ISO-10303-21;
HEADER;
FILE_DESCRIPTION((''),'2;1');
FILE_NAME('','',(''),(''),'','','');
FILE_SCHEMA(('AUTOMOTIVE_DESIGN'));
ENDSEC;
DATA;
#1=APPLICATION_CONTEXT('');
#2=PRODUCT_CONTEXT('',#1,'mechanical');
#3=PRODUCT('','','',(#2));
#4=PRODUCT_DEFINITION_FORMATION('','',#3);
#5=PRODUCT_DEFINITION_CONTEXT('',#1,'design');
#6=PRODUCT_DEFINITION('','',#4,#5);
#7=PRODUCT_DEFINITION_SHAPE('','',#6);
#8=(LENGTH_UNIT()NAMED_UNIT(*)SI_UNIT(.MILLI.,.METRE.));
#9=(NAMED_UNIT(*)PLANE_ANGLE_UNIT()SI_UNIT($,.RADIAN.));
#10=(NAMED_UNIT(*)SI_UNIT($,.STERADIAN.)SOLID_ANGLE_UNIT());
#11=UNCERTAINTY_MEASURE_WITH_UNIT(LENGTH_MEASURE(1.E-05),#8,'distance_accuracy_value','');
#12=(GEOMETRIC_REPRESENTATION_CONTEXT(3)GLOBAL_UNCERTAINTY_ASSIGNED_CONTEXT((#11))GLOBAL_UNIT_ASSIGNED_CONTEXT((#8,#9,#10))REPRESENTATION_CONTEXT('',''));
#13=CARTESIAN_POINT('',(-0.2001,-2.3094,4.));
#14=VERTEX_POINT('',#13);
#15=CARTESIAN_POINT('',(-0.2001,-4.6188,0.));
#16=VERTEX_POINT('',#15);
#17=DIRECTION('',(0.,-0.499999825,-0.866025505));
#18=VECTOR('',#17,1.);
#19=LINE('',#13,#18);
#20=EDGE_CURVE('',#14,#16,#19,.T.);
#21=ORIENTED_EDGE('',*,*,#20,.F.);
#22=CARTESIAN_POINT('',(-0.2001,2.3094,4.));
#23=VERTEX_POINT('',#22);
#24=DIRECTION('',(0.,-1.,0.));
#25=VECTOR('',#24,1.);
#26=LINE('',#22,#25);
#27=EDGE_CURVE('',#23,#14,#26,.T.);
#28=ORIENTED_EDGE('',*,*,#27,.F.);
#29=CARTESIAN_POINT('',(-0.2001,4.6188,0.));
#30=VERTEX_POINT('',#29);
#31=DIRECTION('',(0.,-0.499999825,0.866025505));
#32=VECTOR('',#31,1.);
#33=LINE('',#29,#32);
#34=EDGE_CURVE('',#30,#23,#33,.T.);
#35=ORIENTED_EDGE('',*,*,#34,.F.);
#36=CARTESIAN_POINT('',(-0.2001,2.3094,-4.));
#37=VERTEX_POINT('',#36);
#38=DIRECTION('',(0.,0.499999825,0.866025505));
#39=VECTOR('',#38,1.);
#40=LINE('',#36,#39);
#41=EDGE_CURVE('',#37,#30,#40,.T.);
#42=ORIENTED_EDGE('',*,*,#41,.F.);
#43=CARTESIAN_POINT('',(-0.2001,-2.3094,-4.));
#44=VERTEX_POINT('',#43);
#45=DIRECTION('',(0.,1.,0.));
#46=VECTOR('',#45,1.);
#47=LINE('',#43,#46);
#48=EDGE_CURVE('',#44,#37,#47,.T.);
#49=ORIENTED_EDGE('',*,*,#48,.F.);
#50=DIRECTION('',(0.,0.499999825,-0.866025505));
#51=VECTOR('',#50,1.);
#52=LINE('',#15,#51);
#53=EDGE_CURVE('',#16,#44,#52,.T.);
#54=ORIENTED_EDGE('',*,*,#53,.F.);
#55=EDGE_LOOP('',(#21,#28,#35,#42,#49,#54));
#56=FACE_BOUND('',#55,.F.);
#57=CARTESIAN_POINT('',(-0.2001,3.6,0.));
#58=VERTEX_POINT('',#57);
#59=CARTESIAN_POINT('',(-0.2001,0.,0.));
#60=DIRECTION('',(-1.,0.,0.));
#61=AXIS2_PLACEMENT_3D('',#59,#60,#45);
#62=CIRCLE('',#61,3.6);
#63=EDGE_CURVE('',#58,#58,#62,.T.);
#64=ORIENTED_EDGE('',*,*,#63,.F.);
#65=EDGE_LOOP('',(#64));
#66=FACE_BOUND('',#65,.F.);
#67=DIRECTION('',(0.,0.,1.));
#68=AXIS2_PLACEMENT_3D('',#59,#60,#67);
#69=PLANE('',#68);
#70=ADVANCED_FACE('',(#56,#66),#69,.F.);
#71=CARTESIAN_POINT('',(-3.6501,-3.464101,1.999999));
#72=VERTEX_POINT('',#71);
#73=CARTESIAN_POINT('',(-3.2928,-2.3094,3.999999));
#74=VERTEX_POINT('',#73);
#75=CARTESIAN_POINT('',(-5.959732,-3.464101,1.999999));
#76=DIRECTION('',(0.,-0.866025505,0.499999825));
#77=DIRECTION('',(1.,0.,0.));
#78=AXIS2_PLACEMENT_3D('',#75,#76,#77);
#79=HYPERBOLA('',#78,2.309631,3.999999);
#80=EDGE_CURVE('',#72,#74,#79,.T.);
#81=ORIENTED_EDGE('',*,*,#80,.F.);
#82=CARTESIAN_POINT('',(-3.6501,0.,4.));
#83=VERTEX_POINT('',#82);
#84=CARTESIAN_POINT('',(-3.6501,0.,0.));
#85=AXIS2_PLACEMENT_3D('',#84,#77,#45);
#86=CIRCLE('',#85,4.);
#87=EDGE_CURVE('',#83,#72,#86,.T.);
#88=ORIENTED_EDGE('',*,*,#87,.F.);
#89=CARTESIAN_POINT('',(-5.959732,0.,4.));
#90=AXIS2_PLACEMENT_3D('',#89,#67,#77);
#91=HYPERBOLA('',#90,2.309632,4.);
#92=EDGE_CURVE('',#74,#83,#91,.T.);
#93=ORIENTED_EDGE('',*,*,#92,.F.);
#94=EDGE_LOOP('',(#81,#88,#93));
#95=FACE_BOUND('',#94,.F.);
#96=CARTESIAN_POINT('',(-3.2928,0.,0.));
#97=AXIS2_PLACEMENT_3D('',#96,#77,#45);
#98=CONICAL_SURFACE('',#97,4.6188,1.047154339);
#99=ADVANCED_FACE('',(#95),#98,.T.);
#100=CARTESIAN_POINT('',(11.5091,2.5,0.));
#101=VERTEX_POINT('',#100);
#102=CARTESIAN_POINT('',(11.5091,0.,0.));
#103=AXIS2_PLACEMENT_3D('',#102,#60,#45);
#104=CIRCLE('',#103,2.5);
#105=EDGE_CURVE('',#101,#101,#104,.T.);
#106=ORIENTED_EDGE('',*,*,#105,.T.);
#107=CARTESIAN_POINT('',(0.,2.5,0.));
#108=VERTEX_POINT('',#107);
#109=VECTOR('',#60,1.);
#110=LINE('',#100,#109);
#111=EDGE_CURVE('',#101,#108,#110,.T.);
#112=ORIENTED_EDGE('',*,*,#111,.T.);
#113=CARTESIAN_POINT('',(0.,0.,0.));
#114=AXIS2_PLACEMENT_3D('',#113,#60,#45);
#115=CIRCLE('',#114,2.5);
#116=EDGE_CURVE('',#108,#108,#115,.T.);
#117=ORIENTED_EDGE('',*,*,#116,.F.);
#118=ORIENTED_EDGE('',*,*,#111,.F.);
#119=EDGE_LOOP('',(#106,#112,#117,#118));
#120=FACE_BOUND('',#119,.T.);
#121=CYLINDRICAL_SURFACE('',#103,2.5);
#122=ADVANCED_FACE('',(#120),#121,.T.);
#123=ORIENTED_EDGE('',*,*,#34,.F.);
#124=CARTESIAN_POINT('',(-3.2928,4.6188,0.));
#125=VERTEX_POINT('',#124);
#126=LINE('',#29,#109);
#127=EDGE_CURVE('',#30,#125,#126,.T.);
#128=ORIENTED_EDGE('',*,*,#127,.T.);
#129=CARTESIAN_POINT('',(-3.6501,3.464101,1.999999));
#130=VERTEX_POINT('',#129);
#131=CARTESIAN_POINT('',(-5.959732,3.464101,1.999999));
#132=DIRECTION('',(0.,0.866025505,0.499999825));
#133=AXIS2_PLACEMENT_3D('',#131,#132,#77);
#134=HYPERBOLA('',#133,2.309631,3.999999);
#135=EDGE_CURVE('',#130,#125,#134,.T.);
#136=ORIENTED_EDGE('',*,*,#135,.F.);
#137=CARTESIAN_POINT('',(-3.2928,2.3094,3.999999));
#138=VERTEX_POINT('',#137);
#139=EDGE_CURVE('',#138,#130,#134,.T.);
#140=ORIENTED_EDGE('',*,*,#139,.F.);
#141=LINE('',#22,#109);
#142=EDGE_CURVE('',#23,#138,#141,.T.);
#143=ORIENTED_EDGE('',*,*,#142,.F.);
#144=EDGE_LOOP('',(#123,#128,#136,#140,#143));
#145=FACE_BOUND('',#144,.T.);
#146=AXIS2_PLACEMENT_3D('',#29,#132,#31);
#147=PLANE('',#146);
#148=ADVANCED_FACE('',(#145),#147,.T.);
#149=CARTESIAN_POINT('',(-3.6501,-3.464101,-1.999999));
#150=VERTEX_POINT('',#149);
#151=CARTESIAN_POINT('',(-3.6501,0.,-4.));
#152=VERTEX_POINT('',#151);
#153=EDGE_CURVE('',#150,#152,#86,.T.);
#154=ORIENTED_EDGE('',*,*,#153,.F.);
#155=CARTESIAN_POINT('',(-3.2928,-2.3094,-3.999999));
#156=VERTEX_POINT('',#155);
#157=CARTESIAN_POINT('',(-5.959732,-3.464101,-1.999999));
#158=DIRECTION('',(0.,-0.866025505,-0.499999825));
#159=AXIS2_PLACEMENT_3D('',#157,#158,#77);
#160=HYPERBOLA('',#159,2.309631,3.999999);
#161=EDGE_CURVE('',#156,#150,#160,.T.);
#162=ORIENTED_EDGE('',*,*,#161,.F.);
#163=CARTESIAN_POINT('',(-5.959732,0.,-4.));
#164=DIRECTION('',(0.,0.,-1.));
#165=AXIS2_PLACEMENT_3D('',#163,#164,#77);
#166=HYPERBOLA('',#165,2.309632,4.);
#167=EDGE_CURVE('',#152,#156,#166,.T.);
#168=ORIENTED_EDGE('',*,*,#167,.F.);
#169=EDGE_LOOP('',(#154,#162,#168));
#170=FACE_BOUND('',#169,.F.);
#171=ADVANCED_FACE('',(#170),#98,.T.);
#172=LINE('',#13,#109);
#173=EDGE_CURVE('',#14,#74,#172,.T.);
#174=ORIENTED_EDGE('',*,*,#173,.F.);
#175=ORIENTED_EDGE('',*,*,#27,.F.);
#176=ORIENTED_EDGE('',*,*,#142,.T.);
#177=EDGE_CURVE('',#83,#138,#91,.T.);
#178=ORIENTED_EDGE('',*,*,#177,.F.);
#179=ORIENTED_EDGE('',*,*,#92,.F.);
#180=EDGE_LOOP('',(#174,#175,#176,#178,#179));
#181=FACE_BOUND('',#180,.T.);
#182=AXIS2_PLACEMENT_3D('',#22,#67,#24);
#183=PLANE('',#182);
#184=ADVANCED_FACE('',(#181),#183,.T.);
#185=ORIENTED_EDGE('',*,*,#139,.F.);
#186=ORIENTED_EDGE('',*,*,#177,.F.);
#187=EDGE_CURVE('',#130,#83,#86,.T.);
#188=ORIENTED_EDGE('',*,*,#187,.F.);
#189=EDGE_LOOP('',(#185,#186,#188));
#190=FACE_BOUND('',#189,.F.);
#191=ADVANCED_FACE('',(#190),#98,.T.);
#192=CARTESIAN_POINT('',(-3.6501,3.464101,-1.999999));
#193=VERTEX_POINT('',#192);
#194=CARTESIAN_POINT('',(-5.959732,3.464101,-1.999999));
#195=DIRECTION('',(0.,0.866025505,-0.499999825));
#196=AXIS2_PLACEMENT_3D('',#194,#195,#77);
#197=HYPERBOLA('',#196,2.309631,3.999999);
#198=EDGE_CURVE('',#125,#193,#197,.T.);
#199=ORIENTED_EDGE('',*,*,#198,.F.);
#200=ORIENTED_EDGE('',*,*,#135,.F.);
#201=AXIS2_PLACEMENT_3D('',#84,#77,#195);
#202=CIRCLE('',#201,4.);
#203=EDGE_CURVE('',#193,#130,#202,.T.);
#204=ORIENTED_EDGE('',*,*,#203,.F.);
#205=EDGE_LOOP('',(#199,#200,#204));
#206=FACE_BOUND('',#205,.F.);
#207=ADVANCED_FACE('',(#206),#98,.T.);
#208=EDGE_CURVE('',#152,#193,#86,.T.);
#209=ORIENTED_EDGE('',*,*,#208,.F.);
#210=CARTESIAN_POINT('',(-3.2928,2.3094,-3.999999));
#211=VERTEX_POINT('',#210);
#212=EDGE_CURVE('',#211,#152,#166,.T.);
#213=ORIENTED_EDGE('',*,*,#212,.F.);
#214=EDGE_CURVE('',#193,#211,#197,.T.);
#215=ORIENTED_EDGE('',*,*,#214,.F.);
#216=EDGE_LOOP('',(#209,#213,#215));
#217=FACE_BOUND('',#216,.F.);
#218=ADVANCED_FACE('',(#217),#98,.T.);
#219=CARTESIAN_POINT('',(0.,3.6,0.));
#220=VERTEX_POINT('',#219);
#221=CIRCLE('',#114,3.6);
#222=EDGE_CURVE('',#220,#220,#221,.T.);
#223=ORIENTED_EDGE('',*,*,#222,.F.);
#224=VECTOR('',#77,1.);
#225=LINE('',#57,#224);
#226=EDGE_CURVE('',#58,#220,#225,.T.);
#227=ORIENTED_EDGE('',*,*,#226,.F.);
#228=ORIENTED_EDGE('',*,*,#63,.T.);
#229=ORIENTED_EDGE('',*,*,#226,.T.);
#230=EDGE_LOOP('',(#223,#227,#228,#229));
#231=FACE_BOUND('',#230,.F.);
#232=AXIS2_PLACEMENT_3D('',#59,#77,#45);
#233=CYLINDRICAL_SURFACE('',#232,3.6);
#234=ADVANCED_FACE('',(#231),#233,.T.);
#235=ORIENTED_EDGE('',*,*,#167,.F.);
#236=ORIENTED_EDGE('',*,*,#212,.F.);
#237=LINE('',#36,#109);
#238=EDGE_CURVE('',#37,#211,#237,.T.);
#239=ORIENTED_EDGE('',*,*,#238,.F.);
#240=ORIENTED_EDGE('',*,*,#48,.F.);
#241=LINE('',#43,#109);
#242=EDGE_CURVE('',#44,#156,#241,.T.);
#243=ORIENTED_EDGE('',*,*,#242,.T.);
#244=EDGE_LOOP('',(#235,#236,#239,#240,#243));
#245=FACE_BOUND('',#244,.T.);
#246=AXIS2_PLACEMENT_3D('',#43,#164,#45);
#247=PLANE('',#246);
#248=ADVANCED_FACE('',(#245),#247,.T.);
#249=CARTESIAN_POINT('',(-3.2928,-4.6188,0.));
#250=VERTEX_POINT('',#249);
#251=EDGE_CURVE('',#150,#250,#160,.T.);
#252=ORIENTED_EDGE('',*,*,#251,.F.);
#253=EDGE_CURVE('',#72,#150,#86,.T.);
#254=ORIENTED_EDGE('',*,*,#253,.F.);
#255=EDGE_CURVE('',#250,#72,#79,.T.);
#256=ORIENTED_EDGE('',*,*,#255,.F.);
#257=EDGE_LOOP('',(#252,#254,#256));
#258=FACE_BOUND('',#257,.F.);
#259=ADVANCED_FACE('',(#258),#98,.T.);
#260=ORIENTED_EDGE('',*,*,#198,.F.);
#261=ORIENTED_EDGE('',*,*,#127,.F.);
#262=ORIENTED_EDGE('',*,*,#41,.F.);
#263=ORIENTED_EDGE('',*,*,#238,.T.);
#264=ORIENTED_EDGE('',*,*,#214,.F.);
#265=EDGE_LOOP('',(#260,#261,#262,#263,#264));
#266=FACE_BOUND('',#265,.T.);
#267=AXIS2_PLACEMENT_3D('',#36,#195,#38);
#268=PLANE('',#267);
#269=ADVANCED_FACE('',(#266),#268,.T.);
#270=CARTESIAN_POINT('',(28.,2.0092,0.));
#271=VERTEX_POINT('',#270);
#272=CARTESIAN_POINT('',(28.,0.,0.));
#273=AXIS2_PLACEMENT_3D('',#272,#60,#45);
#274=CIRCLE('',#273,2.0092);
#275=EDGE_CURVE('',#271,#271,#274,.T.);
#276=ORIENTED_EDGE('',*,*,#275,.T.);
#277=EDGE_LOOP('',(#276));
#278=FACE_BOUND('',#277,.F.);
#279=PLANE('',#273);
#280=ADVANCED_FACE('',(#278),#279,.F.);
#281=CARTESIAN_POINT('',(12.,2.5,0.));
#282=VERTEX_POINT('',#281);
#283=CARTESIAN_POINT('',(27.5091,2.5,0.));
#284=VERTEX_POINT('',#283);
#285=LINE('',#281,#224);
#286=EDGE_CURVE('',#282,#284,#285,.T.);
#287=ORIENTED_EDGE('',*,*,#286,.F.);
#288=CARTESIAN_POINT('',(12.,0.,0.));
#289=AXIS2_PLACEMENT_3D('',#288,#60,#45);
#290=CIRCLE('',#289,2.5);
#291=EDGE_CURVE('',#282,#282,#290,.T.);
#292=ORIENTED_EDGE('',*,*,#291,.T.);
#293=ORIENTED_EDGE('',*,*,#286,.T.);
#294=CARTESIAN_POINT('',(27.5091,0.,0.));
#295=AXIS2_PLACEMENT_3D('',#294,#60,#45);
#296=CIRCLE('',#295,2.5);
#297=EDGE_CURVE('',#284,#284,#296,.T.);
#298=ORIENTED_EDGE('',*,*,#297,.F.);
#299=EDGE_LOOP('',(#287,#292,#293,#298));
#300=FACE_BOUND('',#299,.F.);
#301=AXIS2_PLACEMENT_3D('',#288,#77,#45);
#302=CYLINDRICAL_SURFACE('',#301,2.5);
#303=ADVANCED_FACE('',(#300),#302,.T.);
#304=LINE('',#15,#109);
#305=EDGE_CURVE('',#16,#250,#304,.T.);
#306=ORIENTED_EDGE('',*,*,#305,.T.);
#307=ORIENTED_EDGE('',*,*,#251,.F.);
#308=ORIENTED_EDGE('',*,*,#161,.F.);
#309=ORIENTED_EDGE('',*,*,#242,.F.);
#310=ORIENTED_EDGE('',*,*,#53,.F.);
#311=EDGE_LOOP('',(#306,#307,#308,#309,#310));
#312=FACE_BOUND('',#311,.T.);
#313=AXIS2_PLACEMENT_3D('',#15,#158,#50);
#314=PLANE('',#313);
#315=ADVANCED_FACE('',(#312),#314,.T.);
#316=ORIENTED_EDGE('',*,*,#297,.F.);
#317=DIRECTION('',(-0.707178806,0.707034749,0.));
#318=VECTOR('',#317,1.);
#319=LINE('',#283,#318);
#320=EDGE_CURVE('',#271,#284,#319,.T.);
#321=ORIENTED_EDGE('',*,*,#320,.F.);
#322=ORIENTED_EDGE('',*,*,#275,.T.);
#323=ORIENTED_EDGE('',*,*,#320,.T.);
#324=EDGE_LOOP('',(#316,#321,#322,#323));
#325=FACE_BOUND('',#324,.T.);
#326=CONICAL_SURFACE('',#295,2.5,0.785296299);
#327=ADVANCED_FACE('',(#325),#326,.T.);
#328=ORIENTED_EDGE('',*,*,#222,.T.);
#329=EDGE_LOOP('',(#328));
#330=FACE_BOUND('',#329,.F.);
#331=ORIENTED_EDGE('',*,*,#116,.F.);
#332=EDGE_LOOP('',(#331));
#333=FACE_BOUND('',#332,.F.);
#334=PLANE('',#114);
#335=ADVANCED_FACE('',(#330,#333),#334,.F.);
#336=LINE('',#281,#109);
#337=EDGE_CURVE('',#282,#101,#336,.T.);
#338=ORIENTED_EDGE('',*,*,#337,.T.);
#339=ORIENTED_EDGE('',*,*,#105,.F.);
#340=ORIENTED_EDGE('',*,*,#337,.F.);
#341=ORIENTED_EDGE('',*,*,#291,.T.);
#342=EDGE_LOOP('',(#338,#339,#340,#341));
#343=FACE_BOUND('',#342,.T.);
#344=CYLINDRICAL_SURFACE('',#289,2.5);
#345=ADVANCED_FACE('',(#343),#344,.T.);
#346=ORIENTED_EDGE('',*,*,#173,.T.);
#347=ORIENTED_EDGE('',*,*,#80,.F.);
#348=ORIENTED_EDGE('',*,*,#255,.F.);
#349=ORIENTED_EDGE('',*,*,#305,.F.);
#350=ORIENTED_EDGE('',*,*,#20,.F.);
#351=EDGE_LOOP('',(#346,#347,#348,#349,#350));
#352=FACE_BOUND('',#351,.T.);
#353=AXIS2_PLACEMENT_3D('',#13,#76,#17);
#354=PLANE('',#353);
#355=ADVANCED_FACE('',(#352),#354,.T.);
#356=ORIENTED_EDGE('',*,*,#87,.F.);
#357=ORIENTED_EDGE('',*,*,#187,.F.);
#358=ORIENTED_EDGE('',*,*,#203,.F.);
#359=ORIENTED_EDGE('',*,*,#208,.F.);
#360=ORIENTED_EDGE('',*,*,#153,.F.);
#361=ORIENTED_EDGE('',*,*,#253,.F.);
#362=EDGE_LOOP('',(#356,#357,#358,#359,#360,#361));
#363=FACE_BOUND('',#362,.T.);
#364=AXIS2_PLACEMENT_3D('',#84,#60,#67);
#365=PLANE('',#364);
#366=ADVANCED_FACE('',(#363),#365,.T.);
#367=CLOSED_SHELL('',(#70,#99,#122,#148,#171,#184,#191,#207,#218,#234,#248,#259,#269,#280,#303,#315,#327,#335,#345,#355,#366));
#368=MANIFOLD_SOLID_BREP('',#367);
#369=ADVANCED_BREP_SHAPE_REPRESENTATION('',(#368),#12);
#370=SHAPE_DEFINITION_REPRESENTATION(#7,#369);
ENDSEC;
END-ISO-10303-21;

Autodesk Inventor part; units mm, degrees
ref_plane "YZ Plane" through (0, 0, 0) normal (1, 0, 0) x (0, 1, 0)
ref_plane "XZ Plane" through (0, 0, 0) normal (0, 1, 0) x (-1, 0, 0)
sketch "Szkic1" plane through (0, 0, 0) normal (0, 0, 1) x (1, 0, 0)
  line L0 (0, 3.6) -> (0, 2.5)
  line L1 (12, 2.5) -> (28, 2.5)
  line L2 (28, 2.5) -> (28, 0)
  line L3 (28, 0) -> (-0.2001, 0)
  line L4 (-5.8401, 0) -> (33.64, 0) projected
  line L5 (-0.2001, 0) -> (-0.2001, 3.6)
  line L6 (-0.2001, 3.6) -> (0, 3.6)
  line L7 (12, 2.5) -> (11.5091, 2.5)
  line L8 (11.5091, 2.5) -> (0, 2.5)
  line L9 (0, -0.72) -> (0, 4.32) projected
  dimension "d0" = 28
  dimension "d1" = 16
  dimension "d2" = 5
  dimension "d9" = 0.2001
  dimension "d10" = 7.2
  dimension "d13" = 0.4909
  dimension "d14" = 5
revolve "Bryła" add sketch "Szkic1" angle 360 about axis through (28, 0, 0) along (-1, 0, 0)
sketch "Szkic2" plane through (-0.2001, 0, 0) normal (-1, 0, 0) x (0, 0, 1)
  line L0 (0, 4.6188) -> (4, 2.3094)
  line L1 (4, 2.3094) -> (4, -2.3094)
  line L2 (4, -2.3094) -> (0, -4.6188)
  line L3 (0, -4.6188) -> (-4, -2.3094)
  line L4 (-4, -2.3094) -> (-4, 2.3094)
  line L5 (-4, 2.3094) -> (0, 4.6188)
  point P0 (0, 0)
  point P1 (0, 0)
  dimension "d11" = 8
extrude "Głowica" add sketch "Szkic2" along normal blind 3.45
sketch "Szkic4" plane through (0, 0, 0) normal (0, 0, 1) x (1, 0, 0)
  line L0 (-3.6501, 4) -> (-3.6501, 4.6188)
  line L1 (-3.6501, 4.6188) -> (-3.2928, 4.6188)
  line L2 (-3.2928, 4.6188) -> (-3.6501, 4)
  line L3 (-4.3401, 0) -> (0.4899, 0) projected
  line L4 (-0.2001, 4.6188) -> (-3.6501, 4.6188) projected
  line L5 (-3.6501, 2.3094) -> (-3.6501, 4.6188) projected
  dimension "d5" = 30
  dimension "d19" = 8
revolve "Faza1" cut sketch "Szkic4" angle 360 about axis through (-10, 0, 0) along (1, 0, 0)
thread "Gwint" size "M5x0.8" class "6g" standard "ISO Metric profile" length 16
chamfer "Faza2" distance 0.4908 distance2 0.4909 1 edges at (28, -2.5, 0) measured on face at (28, 0.9945, -0.5526)
ref_plane "Work Plane1" through (1.525, 0, 0) normal (0, 0, 1) x (1, 0, 0)
equation "\"d0\" = NLG"
equation "\"d1\" = GEL"
equation "\"d2\" = GD"
equation "\"d10\" = SD2"
equation "\"d14\" = BDM"
equation "\"d11\" = SW"
equation "\"d3\" = KOH - SD"
equation "\"d5\" = ANG1"
equation "\"d19\" = SW0"
equation "\"d15\" = GEL"
equation "\"d6\" = -0.5 * SPD + 0.5 * GD"
equation "\"NLG\" = 28"
equation "\"GD\" = NND"
equation "\"BDM\" = NND"
equation "\"KOH\" = 3.65"
equation "\"GEL\" = 16"
equation "\"SW\" = 8"
equation "\"SW0\" = 8"
equation "\"SPD\" = NND - 1.2269 * PTC"
equation "\"SD2\" = 0.9 * SW"
equation "\"SD\" = 0.2"
equation "\"ANG1\" = 30deg"
equation "\"GAL\" = 0.61345 * PTC"
equation "\"GUL\" = 0.61345 * PTC"
equation "\"RR\" = 0.35"
equation "\"GD1\" = THREADDIA - 1.2269 * PTC"
equation "\"THREADDIA\" = 5"
equation "\"SDH\" = 7.55"
equation "\"TOA\" = 30deg"
equation "\"PTC\" = 0.8"
equation "\"NND\" = 5"
equation "\"E0\" = 1.155 * SW"
properties part number "BS 3692 - M5 x 28" material "Stal, miękka"
